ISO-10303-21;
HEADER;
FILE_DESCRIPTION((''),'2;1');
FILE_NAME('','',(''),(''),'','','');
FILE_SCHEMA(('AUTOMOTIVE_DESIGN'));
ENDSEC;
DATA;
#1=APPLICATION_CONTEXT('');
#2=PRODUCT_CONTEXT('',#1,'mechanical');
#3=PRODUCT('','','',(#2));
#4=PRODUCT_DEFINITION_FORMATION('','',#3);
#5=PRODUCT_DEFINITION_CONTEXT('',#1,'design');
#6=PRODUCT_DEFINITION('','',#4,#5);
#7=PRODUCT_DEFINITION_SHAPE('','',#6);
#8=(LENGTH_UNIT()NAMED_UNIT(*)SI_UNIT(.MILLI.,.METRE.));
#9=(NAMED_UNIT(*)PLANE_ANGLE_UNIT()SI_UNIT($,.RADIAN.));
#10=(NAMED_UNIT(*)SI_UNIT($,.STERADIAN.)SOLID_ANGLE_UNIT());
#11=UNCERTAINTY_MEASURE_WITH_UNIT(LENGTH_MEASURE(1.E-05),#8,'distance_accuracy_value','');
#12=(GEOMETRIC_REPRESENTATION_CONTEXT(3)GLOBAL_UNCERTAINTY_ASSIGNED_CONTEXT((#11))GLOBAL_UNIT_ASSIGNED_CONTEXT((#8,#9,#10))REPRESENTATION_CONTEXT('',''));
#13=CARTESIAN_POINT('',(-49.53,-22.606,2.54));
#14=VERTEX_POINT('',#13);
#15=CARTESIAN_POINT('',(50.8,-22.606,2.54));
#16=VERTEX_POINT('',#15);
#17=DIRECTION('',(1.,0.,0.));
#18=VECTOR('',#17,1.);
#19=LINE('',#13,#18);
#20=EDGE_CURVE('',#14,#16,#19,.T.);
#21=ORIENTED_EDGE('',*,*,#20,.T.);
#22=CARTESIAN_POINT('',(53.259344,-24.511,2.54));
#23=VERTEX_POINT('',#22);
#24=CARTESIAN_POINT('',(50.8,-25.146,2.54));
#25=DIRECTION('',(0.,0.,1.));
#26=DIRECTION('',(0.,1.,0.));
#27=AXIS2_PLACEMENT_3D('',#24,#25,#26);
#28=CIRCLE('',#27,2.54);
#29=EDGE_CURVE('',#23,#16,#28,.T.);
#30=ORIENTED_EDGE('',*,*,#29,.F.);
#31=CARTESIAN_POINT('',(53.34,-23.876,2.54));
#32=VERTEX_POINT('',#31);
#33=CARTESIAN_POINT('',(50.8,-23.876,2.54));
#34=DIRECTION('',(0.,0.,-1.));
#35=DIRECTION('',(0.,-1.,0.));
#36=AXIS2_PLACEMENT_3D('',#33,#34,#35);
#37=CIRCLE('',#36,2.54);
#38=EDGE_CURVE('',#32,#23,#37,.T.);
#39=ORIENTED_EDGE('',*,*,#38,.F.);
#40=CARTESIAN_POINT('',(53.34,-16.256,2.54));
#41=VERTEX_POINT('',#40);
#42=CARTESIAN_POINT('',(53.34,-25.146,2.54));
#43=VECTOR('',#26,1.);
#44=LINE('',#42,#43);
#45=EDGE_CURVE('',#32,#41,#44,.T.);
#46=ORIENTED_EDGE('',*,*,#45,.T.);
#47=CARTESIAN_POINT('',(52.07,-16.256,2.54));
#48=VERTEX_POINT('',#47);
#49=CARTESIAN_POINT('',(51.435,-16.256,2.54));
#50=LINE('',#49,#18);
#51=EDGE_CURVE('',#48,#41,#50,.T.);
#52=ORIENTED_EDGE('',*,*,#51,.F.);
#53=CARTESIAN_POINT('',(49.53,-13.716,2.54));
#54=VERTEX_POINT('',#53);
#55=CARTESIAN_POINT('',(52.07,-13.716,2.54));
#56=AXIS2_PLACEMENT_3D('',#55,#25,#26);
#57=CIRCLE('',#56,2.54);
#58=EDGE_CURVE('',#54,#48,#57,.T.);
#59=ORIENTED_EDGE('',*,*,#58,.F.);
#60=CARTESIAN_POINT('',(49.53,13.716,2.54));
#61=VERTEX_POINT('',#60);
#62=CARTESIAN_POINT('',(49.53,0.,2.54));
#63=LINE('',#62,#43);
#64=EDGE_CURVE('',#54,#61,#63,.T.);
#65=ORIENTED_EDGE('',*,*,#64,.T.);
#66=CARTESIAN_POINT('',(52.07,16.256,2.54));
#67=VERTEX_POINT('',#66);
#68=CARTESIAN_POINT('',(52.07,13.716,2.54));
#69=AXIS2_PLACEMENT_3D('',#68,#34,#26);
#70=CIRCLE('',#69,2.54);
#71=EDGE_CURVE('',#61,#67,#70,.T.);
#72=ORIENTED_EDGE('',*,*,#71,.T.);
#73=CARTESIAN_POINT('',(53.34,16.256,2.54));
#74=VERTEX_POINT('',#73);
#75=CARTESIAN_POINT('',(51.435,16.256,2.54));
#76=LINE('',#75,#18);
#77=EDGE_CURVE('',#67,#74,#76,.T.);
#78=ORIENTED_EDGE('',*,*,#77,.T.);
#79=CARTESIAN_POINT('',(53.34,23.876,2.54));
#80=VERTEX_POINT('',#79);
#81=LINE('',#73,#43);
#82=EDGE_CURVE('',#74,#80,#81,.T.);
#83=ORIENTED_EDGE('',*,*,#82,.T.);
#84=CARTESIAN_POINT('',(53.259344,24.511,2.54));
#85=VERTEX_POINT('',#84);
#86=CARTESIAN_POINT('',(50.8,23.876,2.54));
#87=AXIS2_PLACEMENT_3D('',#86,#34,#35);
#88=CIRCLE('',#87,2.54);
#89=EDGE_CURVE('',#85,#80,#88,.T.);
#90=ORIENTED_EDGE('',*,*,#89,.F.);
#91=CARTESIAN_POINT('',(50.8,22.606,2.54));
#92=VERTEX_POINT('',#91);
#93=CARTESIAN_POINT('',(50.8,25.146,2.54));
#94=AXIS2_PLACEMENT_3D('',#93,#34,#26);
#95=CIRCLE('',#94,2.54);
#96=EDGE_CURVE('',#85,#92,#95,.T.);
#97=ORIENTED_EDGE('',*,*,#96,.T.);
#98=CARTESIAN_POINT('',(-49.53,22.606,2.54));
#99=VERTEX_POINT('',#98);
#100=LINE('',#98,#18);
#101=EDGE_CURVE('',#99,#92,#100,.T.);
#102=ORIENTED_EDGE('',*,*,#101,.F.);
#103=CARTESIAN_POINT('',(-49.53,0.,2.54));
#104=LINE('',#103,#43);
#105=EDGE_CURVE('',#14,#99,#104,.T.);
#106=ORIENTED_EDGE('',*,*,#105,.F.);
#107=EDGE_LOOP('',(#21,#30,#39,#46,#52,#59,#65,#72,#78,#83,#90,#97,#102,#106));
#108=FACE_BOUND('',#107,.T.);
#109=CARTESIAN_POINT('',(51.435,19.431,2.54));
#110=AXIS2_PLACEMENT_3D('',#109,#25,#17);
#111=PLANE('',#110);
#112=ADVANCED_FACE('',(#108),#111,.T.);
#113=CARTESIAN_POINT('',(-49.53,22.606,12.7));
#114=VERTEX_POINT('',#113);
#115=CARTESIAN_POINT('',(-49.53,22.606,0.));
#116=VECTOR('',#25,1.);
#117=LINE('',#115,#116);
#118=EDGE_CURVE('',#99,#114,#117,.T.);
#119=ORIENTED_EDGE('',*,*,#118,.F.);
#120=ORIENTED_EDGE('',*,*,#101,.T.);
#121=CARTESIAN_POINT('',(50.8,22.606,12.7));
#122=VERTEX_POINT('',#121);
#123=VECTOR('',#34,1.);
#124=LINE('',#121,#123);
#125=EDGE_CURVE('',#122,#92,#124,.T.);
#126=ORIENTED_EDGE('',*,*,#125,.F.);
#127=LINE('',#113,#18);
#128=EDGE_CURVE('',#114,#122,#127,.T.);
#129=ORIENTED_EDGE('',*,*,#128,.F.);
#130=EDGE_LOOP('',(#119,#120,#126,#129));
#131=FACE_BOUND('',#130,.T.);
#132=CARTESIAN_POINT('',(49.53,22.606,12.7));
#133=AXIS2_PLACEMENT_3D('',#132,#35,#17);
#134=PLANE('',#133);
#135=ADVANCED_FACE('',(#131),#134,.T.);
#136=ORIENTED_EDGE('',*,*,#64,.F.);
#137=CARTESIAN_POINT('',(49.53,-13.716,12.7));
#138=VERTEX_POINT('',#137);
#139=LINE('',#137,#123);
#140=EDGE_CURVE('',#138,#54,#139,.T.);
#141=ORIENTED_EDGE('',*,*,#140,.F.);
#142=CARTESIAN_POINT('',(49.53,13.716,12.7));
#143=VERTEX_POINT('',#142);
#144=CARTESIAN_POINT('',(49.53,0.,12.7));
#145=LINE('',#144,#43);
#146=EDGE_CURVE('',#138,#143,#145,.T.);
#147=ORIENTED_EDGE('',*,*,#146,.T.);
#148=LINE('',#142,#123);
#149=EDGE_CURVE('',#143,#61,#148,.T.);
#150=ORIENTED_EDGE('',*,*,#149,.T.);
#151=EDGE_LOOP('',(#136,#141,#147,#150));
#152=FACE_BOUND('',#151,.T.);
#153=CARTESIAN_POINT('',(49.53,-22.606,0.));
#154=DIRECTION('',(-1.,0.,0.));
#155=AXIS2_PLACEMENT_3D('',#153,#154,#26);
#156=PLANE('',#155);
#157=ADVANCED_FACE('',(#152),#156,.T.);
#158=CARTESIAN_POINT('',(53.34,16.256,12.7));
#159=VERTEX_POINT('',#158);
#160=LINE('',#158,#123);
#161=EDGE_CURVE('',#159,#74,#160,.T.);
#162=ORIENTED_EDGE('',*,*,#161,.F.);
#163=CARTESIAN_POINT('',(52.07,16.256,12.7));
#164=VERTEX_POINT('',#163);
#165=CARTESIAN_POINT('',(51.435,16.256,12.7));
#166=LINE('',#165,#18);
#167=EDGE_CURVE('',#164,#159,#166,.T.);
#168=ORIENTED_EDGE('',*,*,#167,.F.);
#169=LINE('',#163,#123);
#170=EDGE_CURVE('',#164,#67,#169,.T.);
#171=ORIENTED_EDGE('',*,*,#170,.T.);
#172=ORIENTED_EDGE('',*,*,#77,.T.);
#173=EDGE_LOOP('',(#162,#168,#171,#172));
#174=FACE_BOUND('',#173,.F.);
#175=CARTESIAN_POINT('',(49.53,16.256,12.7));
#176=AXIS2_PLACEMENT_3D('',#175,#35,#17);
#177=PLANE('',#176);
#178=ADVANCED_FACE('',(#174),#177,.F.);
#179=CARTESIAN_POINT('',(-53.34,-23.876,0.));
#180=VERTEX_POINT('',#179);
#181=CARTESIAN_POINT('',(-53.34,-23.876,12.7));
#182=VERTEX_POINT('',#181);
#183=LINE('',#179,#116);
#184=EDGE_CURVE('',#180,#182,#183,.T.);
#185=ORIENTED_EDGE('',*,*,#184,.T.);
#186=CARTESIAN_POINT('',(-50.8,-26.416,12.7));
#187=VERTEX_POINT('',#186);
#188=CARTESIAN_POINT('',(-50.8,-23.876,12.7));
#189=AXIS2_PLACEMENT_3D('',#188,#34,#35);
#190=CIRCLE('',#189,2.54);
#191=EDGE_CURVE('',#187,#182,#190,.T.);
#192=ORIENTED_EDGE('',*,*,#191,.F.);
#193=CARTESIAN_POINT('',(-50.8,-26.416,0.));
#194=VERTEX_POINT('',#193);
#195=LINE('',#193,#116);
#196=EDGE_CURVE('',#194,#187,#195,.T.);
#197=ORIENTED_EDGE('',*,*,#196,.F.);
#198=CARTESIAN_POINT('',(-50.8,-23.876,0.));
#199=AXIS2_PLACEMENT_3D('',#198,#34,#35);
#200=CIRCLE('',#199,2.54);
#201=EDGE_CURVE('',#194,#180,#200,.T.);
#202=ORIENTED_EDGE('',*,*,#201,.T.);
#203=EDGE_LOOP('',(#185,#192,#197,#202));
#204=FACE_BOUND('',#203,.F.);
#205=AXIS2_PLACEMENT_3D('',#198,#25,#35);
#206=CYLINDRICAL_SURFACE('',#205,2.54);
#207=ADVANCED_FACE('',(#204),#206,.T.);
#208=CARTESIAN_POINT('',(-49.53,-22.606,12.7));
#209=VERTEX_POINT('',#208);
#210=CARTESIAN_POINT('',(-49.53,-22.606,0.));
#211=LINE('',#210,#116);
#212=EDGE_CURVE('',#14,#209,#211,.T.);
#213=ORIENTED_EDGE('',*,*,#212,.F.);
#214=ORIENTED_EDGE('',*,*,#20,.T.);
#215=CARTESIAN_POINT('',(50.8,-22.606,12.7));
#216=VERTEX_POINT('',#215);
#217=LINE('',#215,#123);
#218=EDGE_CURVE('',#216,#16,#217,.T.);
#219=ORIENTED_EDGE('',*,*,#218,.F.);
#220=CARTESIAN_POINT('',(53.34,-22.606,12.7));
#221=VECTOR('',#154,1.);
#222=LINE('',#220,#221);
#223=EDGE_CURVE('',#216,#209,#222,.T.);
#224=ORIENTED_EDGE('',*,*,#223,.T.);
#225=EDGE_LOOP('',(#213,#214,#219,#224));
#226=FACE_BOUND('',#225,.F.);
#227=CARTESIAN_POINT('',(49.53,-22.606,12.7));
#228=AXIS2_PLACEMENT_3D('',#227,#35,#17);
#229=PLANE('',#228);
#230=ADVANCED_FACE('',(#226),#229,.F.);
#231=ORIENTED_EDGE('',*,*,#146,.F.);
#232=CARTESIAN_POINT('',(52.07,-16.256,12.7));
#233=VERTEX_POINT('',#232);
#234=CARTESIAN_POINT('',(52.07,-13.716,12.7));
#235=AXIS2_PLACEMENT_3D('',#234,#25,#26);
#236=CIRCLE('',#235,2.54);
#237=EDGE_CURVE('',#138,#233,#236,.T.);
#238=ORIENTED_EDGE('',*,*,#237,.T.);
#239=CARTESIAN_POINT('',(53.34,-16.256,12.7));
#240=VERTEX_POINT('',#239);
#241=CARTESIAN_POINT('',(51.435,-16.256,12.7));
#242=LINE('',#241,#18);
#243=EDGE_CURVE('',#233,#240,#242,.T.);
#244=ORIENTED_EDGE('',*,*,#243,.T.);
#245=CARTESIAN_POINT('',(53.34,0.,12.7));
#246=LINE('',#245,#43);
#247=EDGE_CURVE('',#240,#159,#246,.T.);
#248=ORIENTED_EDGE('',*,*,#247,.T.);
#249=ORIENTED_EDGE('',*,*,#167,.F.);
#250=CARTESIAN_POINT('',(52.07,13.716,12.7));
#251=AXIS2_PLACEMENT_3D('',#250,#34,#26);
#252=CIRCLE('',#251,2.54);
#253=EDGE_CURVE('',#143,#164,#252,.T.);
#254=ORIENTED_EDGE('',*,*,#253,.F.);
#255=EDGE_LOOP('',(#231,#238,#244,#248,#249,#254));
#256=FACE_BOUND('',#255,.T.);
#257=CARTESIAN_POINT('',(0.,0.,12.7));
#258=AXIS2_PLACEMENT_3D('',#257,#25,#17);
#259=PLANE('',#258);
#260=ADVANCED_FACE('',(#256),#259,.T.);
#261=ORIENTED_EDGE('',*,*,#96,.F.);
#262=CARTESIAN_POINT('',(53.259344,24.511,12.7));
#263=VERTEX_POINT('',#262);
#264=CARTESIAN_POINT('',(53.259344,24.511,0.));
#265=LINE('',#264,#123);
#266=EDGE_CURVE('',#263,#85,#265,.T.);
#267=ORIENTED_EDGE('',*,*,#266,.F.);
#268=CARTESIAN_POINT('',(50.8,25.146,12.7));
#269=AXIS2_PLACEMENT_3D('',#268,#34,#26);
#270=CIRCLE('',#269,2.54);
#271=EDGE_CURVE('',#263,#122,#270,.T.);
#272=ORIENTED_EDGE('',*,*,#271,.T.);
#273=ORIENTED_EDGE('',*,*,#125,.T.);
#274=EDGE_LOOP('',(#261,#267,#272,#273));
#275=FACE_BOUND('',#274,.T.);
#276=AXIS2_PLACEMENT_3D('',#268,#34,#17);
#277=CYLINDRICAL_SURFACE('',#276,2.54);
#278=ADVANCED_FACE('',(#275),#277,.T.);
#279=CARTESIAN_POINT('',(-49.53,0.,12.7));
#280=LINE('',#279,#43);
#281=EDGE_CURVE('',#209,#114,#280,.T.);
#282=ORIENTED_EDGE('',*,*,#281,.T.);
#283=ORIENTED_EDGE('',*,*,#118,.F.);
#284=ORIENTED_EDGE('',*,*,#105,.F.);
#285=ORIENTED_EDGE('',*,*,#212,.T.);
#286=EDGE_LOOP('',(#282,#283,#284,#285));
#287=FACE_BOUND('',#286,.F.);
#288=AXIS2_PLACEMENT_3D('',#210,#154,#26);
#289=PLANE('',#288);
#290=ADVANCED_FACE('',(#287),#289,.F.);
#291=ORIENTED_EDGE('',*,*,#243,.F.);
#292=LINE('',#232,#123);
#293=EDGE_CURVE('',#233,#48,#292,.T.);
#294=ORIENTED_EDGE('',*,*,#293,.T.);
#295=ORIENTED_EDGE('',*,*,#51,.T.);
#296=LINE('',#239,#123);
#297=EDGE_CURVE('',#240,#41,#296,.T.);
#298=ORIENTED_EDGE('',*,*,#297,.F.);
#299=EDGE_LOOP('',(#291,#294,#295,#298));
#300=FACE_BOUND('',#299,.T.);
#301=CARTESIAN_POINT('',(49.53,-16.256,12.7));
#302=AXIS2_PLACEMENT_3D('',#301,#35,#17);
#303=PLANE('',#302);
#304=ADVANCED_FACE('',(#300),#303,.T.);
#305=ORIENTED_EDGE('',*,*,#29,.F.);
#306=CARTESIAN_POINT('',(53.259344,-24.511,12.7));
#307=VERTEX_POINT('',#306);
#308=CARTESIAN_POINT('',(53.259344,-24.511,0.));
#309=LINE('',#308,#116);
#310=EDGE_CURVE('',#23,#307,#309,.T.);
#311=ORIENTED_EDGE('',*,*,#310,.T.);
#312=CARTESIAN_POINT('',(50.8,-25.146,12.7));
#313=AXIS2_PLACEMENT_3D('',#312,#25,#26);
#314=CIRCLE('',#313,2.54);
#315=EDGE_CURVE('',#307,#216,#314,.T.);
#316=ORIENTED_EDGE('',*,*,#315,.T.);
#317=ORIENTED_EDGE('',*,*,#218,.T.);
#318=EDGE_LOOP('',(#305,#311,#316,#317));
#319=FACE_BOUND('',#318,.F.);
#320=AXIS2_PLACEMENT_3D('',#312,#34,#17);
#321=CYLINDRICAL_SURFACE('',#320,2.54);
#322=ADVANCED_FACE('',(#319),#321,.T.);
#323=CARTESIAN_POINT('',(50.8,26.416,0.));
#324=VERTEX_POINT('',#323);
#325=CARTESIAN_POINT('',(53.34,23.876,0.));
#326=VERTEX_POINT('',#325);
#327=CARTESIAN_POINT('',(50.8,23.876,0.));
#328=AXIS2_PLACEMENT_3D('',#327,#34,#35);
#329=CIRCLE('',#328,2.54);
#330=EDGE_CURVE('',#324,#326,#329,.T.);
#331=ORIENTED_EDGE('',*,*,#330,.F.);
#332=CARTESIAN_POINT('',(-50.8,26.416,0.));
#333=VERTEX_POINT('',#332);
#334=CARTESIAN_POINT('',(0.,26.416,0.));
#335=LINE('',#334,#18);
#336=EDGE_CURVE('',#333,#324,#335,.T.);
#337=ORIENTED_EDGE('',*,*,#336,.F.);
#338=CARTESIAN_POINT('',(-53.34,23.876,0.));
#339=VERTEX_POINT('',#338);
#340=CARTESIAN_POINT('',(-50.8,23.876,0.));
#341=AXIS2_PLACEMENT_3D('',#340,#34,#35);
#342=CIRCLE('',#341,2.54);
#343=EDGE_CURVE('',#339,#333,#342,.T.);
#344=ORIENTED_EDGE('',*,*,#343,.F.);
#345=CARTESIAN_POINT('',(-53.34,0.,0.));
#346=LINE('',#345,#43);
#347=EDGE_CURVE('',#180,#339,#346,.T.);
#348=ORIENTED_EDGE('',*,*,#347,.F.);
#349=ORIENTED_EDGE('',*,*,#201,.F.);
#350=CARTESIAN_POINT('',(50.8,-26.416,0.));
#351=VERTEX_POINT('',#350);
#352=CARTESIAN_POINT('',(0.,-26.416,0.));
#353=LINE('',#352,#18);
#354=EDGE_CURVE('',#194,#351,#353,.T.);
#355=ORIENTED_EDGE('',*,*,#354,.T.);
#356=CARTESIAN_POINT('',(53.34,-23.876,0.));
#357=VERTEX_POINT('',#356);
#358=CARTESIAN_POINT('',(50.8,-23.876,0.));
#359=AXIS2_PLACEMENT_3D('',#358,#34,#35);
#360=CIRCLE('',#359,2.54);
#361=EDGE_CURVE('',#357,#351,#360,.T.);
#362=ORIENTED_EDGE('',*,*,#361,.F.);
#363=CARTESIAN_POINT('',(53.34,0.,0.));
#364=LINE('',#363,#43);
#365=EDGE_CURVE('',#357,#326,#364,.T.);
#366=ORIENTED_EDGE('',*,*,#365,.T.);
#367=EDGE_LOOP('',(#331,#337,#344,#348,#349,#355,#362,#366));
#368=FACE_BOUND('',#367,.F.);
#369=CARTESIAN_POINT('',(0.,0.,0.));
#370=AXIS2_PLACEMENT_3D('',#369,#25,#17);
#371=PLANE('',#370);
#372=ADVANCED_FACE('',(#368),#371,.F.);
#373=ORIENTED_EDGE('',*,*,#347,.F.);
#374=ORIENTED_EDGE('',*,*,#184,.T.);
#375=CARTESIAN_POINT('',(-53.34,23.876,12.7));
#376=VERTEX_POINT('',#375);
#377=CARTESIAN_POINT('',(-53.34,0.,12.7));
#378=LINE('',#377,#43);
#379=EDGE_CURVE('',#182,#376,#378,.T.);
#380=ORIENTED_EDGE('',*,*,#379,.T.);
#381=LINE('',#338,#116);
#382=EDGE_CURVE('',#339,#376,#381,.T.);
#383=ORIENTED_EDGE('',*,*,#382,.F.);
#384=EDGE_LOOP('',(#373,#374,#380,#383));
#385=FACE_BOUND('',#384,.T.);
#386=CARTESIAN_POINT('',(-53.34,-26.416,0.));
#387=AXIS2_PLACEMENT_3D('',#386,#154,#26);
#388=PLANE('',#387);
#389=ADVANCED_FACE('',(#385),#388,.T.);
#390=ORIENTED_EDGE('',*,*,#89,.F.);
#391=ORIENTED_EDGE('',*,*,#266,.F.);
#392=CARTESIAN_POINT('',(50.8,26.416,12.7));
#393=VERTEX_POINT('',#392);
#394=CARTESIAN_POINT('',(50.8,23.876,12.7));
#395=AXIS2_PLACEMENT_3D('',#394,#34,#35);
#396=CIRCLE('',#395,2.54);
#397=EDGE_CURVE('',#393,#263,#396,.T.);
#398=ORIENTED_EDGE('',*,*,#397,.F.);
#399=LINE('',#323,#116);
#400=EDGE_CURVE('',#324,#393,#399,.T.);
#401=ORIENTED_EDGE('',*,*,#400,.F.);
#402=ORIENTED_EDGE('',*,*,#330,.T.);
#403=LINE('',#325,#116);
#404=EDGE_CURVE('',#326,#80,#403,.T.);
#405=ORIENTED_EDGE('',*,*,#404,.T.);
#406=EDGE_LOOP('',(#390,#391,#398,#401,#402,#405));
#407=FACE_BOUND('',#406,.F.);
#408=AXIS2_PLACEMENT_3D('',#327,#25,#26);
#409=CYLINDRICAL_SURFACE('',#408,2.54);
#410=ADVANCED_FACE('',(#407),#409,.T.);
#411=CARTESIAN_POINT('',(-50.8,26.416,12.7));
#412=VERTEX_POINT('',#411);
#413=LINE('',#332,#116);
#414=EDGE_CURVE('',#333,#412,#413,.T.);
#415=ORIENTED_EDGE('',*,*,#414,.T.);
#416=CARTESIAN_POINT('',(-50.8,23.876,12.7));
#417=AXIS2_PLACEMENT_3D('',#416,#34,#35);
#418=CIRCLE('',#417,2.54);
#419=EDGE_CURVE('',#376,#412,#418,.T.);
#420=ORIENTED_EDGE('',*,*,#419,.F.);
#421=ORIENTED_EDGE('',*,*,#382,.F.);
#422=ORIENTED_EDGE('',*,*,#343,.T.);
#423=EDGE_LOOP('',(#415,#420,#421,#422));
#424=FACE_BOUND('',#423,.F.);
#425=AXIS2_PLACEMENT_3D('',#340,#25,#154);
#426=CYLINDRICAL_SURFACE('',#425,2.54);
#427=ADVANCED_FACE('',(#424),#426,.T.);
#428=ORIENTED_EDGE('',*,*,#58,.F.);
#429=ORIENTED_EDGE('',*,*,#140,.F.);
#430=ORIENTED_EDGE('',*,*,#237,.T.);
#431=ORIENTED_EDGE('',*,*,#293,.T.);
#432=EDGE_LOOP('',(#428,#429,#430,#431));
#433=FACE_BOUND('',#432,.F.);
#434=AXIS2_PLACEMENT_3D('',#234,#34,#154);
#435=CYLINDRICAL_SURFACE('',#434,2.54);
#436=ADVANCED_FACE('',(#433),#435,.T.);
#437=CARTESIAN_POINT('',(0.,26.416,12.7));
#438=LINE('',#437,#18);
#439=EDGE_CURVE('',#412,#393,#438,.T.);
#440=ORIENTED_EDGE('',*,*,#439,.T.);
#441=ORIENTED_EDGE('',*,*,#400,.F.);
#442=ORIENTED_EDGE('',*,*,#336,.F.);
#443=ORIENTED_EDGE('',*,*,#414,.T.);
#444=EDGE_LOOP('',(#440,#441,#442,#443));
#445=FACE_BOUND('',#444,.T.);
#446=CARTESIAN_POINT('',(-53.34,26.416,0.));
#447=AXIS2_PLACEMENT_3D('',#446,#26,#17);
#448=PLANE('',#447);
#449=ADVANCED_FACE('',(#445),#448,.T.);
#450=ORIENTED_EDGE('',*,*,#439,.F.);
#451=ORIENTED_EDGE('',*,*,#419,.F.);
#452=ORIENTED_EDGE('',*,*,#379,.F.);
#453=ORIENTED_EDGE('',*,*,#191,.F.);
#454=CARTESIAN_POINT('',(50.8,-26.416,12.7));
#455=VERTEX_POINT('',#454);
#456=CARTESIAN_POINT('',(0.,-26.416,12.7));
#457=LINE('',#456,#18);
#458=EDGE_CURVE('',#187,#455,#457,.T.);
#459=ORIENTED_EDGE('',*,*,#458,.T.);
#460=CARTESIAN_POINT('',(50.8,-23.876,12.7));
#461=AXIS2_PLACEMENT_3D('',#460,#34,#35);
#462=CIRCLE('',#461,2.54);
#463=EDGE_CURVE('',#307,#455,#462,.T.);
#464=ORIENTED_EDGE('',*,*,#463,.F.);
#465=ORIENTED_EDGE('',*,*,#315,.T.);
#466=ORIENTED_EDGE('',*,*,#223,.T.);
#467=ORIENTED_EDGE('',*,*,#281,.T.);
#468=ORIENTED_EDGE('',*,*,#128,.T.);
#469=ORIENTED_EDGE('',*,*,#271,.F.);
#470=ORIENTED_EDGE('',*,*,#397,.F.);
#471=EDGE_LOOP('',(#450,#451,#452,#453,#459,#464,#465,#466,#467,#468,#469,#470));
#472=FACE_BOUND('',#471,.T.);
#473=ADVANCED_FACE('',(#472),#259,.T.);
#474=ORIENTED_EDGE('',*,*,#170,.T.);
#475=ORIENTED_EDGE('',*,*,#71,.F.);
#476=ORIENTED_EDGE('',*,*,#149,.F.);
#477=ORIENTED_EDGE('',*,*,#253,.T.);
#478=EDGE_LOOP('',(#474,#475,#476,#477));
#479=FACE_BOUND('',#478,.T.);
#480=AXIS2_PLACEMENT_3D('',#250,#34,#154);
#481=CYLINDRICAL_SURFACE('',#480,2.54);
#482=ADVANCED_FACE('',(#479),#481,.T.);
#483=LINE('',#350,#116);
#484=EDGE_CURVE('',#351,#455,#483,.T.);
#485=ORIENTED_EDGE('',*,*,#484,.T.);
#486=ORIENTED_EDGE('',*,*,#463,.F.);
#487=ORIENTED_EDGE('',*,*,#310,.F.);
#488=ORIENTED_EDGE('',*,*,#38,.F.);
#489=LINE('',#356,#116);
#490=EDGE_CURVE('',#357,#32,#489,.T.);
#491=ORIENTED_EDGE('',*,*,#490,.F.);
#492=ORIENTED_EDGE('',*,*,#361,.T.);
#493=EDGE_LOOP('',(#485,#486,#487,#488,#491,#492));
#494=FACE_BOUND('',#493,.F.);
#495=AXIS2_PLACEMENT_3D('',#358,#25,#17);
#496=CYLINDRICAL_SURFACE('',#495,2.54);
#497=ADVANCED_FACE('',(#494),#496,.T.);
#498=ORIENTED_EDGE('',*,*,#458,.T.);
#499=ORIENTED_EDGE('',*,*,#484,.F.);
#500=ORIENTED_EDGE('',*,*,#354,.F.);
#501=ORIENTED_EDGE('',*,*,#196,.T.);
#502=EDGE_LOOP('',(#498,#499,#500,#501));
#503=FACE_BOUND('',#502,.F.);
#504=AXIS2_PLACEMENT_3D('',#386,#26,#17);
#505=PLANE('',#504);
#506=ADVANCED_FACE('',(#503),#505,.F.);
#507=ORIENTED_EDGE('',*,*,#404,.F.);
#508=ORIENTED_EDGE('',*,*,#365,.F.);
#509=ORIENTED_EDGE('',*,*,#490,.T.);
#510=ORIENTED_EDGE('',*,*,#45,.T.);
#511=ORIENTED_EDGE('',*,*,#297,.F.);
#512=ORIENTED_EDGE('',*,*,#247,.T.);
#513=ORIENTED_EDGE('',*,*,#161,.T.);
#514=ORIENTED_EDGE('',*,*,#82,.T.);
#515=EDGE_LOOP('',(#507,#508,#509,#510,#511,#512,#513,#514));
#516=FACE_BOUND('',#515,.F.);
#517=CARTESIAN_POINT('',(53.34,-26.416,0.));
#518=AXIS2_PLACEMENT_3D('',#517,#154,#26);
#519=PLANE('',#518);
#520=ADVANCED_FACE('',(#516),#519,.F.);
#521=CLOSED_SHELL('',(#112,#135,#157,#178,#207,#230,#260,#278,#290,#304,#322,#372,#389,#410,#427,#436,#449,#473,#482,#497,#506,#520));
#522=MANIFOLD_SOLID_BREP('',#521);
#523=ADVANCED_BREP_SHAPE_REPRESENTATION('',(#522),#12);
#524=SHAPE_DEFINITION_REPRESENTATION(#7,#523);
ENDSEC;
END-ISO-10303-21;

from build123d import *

# Parameters (mm, degrees)
F0_W     = 106.68
F0_H     = 52.832
F0_W_2   = 99.06
F0_H_2   = 45.212
F1_DEPTH = 12.7
F2_W     = 99.06
F2_H     = 45.212
F3_DEPTH = 2.54
F4_W     = 3.81
F4_H     = 6.35
F5_DEPTH = 10.16
F6_R     = 2.54


with BuildPart() as f1:
    # F0 (on Top) → F1 (new body)
    with BuildSketch(Plane.XY):
        Rectangle(F0_W, F0_H)
        Rectangle(F0_W_2, F0_H_2, mode=Mode.SUBTRACT)
    extrude(amount=F1_DEPTH)

    # F2 (on Top) → F3 (join)
    with BuildSketch(Plane.XY):
        Rectangle(F2_W, F2_H)
    extrude(amount=F3_DEPTH)

    # F4 (on face) → F5 (cut)
    with BuildSketch(Plane.XY.offset(12.7)):
        with Locations((51.435, 19.431)):
            Rectangle(F4_W, F4_H)
        with Locations((51.435, -19.431)):
            Rectangle(F4_W, F4_H)
    extrude(amount=-F5_DEPTH, mode=Mode.SUBTRACT)

    # F6 (call 1 of 8: OpenCascade refuses the feature's edges together)
    f6_edges = [f1.edges().sort_by_distance(p)[0] for p in [
        (49.53, 16.256, 7.62),
    ]]
    fillet(f6_edges, radius=F6_R)

    # F6#2 (call 2 of 8)
    f6_2_edges = [f1.edges().sort_by_distance(p)[0] for p in [
        (53.34, 22.606, 7.62),
    ]]
    fillet(f6_2_edges, radius=F6_R)

    # F6#3 (call 3 of 8)
    f6_3_edges = [f1.edges().sort_by_distance(p)[0] for p in [
        (49.53, -16.256, 7.62),
    ]]
    fillet(f6_3_edges, radius=F6_R)

    # F6#4 (call 4 of 8)
    f6_4_edges = [f1.edges().sort_by_distance(p)[0] for p in [
        (53.34, -22.606, 7.62),
    ]]
    fillet(f6_4_edges, radius=F6_R)

    # F6#5 (call 5 of 8)
    f6_5_edges = [f1.edges().sort_by_distance(p)[0] for p in [
        (53.34, 26.416, 6.35),
    ]]
    fillet(f6_5_edges, radius=F6_R)

    # F6#6 (call 6 of 8)
    f6_6_edges = [f1.edges().sort_by_distance(p)[0] for p in [
        (53.34, -26.416, 6.35),
    ]]
    fillet(f6_6_edges, radius=F6_R)

    # F6#7 (call 7 of 8)
    f6_7_edges = [f1.edges().sort_by_distance(p)[0] for p in [
        (-53.34, -26.416, 6.35),
    ]]
    fillet(f6_7_edges, radius=F6_R)

    # F6#8 (call 8 of 8)
    f6_8_edges = [f1.edges().sort_by_distance(p)[0] for p in [
        (-53.34, 26.416, 6.35),
    ]]
    fillet(f6_8_edges, radius=F6_R)


solid = f1.part
